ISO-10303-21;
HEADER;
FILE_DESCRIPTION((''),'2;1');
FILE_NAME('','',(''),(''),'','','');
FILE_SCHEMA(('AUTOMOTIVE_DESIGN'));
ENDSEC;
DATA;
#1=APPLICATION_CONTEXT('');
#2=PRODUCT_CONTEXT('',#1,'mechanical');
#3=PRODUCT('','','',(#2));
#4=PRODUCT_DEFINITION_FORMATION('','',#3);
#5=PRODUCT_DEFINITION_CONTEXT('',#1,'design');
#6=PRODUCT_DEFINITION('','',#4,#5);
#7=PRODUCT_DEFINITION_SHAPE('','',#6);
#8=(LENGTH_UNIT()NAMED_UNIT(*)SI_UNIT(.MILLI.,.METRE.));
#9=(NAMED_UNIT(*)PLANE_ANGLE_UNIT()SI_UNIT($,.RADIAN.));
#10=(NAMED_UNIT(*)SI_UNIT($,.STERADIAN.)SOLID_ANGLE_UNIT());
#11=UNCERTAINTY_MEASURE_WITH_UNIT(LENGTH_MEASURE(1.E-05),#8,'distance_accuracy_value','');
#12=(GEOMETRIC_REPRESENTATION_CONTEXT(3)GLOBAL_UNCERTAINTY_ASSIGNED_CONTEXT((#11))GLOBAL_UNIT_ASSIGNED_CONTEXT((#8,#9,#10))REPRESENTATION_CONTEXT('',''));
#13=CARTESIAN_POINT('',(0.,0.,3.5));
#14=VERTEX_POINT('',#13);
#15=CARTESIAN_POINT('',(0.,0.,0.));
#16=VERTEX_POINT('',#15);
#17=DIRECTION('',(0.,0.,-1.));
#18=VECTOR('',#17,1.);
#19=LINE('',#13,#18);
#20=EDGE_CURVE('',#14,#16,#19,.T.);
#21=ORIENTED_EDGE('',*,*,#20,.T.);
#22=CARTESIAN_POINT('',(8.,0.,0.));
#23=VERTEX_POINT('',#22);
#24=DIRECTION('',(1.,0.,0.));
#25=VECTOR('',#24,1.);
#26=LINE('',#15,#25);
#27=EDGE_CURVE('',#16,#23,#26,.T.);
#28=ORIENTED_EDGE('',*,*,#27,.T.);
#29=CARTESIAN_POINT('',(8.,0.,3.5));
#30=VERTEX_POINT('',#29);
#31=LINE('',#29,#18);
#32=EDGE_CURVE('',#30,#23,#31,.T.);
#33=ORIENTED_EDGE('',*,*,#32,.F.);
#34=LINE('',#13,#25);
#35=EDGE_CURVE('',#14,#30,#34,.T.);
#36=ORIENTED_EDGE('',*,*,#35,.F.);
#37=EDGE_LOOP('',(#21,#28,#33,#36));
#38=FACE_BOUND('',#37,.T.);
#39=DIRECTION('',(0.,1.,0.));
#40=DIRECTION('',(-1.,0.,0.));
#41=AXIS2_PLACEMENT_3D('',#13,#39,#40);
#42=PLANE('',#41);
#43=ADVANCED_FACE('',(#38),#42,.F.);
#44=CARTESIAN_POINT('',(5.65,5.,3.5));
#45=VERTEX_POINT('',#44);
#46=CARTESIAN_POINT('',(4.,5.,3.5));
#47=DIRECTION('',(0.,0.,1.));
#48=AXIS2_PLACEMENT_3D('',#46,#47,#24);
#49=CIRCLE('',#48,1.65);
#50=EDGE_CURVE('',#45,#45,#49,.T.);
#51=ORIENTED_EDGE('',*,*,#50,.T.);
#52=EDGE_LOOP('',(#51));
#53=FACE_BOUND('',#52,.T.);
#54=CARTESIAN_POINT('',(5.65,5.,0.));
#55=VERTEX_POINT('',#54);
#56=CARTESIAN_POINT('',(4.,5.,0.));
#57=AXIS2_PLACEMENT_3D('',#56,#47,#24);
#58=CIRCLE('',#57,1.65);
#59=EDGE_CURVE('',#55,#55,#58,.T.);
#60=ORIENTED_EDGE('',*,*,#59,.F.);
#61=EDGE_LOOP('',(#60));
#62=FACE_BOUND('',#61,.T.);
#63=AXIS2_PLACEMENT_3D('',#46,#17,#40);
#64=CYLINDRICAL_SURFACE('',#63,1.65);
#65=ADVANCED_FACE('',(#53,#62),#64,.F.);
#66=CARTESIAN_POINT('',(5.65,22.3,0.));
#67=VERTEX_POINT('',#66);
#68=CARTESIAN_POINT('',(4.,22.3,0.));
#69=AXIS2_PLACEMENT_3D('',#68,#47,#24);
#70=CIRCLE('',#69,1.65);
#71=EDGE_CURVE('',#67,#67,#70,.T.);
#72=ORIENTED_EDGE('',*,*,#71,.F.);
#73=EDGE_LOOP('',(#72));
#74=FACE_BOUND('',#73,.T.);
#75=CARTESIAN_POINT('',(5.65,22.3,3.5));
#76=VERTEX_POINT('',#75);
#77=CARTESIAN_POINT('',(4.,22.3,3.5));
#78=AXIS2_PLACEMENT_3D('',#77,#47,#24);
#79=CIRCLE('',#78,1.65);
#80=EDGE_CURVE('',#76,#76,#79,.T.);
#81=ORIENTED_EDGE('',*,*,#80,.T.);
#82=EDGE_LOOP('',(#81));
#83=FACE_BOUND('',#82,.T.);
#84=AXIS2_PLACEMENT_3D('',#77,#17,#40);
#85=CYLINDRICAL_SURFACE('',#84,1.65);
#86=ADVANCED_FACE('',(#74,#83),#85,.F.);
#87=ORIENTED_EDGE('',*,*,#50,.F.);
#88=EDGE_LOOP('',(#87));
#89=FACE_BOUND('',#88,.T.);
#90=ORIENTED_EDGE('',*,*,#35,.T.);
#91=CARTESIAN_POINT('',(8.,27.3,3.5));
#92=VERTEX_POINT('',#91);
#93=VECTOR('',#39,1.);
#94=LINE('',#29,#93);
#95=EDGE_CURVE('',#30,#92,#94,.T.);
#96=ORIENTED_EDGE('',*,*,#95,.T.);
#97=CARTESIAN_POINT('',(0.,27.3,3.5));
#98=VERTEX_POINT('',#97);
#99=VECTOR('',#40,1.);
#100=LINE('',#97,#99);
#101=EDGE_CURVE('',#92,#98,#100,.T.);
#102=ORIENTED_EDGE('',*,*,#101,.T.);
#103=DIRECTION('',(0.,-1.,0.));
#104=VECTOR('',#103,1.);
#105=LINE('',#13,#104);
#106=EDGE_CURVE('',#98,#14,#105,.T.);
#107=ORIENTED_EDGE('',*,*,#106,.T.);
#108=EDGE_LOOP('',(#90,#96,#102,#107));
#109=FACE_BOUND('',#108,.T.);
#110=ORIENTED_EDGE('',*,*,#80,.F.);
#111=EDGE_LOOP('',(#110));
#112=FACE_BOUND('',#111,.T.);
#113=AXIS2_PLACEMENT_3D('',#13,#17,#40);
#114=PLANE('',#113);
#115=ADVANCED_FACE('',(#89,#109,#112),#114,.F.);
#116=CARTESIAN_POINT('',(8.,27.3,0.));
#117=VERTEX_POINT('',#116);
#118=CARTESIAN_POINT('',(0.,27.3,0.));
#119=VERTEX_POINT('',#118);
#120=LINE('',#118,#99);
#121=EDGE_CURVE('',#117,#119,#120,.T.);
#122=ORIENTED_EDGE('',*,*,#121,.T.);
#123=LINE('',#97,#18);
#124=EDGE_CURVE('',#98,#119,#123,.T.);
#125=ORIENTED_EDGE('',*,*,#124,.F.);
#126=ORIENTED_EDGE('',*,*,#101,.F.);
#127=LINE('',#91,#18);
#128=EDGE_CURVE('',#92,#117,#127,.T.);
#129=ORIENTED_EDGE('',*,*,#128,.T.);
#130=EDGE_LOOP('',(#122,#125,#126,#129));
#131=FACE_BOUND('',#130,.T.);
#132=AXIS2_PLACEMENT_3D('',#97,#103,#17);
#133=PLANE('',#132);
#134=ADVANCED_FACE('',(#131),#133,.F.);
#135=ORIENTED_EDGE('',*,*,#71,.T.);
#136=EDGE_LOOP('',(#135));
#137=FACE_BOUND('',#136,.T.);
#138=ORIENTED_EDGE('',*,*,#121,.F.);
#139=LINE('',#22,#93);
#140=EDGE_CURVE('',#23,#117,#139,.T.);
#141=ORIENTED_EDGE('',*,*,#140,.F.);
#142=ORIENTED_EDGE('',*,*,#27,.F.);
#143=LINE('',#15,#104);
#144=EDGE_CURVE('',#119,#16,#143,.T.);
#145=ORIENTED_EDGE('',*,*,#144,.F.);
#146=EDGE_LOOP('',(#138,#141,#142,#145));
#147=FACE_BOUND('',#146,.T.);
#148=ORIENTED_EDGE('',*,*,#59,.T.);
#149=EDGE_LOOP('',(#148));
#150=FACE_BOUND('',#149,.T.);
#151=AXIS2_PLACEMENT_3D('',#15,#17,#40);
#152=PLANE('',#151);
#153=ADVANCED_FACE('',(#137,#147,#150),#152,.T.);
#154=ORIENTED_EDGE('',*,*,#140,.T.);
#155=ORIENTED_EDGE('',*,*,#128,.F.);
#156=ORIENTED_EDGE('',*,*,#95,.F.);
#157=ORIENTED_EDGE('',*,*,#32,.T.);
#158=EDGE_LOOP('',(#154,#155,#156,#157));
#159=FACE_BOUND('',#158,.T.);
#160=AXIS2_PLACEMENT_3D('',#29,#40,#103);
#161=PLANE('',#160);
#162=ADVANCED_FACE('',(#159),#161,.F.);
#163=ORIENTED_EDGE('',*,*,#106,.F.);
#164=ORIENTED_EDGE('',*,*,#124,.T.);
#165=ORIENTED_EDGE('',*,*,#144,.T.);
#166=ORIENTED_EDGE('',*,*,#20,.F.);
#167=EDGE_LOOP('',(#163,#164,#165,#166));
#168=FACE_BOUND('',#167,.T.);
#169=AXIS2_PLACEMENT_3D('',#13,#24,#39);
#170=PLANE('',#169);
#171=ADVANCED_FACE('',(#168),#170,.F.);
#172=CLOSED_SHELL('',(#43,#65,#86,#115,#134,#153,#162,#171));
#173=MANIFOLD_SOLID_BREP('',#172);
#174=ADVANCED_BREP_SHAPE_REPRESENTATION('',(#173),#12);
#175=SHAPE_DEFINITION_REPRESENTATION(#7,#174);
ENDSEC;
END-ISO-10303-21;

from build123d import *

# Parameters (mm, degrees)
SKETCH1_W           = 8
SKETCH1_H           = 27.3
SKETCH1_R           = 1.65
BOSS_EXTRUDE1_DEPTH = 3.5


with BuildPart() as part:
    # Sketch1 → Boss-Extrude1 (new body)
    with BuildSketch(Plane.XY):
        with Locations((4, 13.65)):
            Rectangle(SKETCH1_W, SKETCH1_H)
        with Locations((4, 22.3)):
            Circle(SKETCH1_R, mode=Mode.SUBTRACT)
        with Locations((4, 5)):
            Circle(SKETCH1_R, mode=Mode.SUBTRACT)
    extrude(amount=BOSS_EXTRUDE1_DEPTH)


solid = part.part
